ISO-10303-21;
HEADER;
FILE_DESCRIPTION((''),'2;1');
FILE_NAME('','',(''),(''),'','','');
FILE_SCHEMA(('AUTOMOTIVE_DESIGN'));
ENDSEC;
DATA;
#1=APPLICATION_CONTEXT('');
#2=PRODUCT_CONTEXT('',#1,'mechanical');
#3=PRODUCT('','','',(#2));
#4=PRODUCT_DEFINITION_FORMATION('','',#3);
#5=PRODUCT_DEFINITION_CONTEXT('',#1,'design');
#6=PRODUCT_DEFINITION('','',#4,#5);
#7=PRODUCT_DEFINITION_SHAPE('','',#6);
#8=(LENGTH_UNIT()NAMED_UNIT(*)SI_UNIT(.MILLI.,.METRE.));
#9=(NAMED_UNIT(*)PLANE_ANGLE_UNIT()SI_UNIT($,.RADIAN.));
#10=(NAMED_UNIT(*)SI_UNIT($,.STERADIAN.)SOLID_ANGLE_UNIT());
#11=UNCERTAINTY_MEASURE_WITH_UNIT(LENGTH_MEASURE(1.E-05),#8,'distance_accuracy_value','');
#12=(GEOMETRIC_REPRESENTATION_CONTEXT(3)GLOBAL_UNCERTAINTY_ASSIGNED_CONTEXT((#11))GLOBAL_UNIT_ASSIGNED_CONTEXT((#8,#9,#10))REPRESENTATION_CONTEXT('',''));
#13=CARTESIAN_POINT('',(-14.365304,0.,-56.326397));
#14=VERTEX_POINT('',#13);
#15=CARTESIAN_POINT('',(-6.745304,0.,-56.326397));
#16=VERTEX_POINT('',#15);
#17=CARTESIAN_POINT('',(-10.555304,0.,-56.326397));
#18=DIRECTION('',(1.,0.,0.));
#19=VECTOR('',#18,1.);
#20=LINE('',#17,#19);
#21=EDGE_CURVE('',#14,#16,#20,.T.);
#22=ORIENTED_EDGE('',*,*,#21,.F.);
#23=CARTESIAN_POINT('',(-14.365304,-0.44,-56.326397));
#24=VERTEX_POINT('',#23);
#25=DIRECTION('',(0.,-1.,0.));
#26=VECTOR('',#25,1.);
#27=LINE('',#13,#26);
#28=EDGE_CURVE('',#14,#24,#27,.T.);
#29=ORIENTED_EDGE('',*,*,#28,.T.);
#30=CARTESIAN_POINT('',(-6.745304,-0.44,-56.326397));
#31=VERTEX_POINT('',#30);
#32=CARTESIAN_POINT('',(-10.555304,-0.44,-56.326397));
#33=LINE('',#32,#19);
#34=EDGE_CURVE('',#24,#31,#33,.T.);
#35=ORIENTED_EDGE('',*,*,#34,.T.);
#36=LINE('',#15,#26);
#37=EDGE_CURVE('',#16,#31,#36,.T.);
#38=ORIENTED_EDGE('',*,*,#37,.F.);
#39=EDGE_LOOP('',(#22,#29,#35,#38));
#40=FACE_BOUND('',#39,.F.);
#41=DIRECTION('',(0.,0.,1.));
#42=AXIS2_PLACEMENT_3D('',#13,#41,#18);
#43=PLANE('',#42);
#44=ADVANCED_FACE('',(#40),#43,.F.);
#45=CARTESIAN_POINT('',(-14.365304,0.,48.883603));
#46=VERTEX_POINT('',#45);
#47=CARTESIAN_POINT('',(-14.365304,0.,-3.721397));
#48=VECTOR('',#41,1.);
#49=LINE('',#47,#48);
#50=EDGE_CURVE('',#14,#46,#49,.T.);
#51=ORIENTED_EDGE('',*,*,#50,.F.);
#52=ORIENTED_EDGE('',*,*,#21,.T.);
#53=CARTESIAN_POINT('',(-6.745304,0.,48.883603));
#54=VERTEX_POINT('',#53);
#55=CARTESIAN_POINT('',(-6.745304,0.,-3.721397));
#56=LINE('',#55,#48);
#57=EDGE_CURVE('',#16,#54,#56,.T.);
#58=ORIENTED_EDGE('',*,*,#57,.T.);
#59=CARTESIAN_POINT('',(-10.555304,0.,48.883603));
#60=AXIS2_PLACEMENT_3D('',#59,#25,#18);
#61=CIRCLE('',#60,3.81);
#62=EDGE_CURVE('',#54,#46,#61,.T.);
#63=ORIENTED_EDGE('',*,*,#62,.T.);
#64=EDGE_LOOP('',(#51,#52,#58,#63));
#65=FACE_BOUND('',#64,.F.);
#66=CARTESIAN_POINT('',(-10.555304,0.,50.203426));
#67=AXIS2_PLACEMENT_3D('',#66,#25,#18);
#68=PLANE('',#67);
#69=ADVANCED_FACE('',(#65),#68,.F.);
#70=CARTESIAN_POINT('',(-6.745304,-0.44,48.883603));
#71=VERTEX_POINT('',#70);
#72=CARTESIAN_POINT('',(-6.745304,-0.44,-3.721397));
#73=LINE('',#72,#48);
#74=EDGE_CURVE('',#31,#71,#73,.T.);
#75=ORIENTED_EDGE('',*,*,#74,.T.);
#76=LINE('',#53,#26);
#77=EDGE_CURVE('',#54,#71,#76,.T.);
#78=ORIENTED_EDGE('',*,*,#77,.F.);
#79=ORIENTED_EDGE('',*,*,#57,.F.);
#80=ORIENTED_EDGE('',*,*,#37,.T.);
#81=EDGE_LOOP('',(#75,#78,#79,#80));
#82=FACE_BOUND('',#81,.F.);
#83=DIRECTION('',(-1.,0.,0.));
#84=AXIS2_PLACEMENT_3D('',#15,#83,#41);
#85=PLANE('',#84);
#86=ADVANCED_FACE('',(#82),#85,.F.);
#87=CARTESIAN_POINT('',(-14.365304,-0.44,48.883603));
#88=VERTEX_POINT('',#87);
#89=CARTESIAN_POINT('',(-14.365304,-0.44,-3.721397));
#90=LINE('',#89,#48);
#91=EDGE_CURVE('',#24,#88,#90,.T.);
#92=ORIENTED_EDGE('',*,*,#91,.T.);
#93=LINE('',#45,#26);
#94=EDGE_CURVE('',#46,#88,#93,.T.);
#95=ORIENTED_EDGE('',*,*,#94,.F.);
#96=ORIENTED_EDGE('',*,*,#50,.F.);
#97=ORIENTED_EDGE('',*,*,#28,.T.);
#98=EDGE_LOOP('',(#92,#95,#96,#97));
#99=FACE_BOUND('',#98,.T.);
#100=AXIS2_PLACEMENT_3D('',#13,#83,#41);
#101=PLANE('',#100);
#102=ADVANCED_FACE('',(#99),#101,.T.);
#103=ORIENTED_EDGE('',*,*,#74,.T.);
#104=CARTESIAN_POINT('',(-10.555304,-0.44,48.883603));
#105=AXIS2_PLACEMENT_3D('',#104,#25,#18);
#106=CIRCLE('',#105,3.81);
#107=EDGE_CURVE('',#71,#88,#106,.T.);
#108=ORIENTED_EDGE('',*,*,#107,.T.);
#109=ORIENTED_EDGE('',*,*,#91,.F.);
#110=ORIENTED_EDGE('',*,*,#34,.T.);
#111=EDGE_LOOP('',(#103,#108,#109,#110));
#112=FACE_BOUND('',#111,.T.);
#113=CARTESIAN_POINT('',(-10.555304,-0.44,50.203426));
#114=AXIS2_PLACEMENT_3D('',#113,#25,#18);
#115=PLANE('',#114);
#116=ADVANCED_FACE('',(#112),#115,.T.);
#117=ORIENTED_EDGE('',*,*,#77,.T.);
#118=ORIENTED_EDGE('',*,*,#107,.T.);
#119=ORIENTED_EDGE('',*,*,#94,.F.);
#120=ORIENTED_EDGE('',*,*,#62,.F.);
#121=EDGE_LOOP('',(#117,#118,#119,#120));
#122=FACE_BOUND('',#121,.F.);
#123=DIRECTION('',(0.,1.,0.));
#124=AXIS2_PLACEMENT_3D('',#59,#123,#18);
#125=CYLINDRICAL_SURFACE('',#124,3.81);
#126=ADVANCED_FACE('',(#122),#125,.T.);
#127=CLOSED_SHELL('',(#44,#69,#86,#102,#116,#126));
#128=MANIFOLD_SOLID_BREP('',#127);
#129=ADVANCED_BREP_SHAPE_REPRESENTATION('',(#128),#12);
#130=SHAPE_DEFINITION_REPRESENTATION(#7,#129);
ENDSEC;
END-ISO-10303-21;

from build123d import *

# Parameters (mm, degrees)
F0_W     = 7.62
F0_H     = 105.21
F1_DEPTH = 0.44


with BuildPart() as f1:
    # F0 (on Front) → F1 (new body)
    with BuildSketch(Plane.XZ):
        with BuildLine():
            ThreePointArc((-6.745304, 48.883603), (-10.555304, 52.693603), (-14.365304, 48.883603))
            Line((-14.365304, 48.883603), (-6.745304, 48.883603))
        make_face()
        with Locations((-10.555304, -3.721397)):
            Rectangle(F0_W, F0_H)
    extrude(amount=F1_DEPTH)


solid = f1.part
